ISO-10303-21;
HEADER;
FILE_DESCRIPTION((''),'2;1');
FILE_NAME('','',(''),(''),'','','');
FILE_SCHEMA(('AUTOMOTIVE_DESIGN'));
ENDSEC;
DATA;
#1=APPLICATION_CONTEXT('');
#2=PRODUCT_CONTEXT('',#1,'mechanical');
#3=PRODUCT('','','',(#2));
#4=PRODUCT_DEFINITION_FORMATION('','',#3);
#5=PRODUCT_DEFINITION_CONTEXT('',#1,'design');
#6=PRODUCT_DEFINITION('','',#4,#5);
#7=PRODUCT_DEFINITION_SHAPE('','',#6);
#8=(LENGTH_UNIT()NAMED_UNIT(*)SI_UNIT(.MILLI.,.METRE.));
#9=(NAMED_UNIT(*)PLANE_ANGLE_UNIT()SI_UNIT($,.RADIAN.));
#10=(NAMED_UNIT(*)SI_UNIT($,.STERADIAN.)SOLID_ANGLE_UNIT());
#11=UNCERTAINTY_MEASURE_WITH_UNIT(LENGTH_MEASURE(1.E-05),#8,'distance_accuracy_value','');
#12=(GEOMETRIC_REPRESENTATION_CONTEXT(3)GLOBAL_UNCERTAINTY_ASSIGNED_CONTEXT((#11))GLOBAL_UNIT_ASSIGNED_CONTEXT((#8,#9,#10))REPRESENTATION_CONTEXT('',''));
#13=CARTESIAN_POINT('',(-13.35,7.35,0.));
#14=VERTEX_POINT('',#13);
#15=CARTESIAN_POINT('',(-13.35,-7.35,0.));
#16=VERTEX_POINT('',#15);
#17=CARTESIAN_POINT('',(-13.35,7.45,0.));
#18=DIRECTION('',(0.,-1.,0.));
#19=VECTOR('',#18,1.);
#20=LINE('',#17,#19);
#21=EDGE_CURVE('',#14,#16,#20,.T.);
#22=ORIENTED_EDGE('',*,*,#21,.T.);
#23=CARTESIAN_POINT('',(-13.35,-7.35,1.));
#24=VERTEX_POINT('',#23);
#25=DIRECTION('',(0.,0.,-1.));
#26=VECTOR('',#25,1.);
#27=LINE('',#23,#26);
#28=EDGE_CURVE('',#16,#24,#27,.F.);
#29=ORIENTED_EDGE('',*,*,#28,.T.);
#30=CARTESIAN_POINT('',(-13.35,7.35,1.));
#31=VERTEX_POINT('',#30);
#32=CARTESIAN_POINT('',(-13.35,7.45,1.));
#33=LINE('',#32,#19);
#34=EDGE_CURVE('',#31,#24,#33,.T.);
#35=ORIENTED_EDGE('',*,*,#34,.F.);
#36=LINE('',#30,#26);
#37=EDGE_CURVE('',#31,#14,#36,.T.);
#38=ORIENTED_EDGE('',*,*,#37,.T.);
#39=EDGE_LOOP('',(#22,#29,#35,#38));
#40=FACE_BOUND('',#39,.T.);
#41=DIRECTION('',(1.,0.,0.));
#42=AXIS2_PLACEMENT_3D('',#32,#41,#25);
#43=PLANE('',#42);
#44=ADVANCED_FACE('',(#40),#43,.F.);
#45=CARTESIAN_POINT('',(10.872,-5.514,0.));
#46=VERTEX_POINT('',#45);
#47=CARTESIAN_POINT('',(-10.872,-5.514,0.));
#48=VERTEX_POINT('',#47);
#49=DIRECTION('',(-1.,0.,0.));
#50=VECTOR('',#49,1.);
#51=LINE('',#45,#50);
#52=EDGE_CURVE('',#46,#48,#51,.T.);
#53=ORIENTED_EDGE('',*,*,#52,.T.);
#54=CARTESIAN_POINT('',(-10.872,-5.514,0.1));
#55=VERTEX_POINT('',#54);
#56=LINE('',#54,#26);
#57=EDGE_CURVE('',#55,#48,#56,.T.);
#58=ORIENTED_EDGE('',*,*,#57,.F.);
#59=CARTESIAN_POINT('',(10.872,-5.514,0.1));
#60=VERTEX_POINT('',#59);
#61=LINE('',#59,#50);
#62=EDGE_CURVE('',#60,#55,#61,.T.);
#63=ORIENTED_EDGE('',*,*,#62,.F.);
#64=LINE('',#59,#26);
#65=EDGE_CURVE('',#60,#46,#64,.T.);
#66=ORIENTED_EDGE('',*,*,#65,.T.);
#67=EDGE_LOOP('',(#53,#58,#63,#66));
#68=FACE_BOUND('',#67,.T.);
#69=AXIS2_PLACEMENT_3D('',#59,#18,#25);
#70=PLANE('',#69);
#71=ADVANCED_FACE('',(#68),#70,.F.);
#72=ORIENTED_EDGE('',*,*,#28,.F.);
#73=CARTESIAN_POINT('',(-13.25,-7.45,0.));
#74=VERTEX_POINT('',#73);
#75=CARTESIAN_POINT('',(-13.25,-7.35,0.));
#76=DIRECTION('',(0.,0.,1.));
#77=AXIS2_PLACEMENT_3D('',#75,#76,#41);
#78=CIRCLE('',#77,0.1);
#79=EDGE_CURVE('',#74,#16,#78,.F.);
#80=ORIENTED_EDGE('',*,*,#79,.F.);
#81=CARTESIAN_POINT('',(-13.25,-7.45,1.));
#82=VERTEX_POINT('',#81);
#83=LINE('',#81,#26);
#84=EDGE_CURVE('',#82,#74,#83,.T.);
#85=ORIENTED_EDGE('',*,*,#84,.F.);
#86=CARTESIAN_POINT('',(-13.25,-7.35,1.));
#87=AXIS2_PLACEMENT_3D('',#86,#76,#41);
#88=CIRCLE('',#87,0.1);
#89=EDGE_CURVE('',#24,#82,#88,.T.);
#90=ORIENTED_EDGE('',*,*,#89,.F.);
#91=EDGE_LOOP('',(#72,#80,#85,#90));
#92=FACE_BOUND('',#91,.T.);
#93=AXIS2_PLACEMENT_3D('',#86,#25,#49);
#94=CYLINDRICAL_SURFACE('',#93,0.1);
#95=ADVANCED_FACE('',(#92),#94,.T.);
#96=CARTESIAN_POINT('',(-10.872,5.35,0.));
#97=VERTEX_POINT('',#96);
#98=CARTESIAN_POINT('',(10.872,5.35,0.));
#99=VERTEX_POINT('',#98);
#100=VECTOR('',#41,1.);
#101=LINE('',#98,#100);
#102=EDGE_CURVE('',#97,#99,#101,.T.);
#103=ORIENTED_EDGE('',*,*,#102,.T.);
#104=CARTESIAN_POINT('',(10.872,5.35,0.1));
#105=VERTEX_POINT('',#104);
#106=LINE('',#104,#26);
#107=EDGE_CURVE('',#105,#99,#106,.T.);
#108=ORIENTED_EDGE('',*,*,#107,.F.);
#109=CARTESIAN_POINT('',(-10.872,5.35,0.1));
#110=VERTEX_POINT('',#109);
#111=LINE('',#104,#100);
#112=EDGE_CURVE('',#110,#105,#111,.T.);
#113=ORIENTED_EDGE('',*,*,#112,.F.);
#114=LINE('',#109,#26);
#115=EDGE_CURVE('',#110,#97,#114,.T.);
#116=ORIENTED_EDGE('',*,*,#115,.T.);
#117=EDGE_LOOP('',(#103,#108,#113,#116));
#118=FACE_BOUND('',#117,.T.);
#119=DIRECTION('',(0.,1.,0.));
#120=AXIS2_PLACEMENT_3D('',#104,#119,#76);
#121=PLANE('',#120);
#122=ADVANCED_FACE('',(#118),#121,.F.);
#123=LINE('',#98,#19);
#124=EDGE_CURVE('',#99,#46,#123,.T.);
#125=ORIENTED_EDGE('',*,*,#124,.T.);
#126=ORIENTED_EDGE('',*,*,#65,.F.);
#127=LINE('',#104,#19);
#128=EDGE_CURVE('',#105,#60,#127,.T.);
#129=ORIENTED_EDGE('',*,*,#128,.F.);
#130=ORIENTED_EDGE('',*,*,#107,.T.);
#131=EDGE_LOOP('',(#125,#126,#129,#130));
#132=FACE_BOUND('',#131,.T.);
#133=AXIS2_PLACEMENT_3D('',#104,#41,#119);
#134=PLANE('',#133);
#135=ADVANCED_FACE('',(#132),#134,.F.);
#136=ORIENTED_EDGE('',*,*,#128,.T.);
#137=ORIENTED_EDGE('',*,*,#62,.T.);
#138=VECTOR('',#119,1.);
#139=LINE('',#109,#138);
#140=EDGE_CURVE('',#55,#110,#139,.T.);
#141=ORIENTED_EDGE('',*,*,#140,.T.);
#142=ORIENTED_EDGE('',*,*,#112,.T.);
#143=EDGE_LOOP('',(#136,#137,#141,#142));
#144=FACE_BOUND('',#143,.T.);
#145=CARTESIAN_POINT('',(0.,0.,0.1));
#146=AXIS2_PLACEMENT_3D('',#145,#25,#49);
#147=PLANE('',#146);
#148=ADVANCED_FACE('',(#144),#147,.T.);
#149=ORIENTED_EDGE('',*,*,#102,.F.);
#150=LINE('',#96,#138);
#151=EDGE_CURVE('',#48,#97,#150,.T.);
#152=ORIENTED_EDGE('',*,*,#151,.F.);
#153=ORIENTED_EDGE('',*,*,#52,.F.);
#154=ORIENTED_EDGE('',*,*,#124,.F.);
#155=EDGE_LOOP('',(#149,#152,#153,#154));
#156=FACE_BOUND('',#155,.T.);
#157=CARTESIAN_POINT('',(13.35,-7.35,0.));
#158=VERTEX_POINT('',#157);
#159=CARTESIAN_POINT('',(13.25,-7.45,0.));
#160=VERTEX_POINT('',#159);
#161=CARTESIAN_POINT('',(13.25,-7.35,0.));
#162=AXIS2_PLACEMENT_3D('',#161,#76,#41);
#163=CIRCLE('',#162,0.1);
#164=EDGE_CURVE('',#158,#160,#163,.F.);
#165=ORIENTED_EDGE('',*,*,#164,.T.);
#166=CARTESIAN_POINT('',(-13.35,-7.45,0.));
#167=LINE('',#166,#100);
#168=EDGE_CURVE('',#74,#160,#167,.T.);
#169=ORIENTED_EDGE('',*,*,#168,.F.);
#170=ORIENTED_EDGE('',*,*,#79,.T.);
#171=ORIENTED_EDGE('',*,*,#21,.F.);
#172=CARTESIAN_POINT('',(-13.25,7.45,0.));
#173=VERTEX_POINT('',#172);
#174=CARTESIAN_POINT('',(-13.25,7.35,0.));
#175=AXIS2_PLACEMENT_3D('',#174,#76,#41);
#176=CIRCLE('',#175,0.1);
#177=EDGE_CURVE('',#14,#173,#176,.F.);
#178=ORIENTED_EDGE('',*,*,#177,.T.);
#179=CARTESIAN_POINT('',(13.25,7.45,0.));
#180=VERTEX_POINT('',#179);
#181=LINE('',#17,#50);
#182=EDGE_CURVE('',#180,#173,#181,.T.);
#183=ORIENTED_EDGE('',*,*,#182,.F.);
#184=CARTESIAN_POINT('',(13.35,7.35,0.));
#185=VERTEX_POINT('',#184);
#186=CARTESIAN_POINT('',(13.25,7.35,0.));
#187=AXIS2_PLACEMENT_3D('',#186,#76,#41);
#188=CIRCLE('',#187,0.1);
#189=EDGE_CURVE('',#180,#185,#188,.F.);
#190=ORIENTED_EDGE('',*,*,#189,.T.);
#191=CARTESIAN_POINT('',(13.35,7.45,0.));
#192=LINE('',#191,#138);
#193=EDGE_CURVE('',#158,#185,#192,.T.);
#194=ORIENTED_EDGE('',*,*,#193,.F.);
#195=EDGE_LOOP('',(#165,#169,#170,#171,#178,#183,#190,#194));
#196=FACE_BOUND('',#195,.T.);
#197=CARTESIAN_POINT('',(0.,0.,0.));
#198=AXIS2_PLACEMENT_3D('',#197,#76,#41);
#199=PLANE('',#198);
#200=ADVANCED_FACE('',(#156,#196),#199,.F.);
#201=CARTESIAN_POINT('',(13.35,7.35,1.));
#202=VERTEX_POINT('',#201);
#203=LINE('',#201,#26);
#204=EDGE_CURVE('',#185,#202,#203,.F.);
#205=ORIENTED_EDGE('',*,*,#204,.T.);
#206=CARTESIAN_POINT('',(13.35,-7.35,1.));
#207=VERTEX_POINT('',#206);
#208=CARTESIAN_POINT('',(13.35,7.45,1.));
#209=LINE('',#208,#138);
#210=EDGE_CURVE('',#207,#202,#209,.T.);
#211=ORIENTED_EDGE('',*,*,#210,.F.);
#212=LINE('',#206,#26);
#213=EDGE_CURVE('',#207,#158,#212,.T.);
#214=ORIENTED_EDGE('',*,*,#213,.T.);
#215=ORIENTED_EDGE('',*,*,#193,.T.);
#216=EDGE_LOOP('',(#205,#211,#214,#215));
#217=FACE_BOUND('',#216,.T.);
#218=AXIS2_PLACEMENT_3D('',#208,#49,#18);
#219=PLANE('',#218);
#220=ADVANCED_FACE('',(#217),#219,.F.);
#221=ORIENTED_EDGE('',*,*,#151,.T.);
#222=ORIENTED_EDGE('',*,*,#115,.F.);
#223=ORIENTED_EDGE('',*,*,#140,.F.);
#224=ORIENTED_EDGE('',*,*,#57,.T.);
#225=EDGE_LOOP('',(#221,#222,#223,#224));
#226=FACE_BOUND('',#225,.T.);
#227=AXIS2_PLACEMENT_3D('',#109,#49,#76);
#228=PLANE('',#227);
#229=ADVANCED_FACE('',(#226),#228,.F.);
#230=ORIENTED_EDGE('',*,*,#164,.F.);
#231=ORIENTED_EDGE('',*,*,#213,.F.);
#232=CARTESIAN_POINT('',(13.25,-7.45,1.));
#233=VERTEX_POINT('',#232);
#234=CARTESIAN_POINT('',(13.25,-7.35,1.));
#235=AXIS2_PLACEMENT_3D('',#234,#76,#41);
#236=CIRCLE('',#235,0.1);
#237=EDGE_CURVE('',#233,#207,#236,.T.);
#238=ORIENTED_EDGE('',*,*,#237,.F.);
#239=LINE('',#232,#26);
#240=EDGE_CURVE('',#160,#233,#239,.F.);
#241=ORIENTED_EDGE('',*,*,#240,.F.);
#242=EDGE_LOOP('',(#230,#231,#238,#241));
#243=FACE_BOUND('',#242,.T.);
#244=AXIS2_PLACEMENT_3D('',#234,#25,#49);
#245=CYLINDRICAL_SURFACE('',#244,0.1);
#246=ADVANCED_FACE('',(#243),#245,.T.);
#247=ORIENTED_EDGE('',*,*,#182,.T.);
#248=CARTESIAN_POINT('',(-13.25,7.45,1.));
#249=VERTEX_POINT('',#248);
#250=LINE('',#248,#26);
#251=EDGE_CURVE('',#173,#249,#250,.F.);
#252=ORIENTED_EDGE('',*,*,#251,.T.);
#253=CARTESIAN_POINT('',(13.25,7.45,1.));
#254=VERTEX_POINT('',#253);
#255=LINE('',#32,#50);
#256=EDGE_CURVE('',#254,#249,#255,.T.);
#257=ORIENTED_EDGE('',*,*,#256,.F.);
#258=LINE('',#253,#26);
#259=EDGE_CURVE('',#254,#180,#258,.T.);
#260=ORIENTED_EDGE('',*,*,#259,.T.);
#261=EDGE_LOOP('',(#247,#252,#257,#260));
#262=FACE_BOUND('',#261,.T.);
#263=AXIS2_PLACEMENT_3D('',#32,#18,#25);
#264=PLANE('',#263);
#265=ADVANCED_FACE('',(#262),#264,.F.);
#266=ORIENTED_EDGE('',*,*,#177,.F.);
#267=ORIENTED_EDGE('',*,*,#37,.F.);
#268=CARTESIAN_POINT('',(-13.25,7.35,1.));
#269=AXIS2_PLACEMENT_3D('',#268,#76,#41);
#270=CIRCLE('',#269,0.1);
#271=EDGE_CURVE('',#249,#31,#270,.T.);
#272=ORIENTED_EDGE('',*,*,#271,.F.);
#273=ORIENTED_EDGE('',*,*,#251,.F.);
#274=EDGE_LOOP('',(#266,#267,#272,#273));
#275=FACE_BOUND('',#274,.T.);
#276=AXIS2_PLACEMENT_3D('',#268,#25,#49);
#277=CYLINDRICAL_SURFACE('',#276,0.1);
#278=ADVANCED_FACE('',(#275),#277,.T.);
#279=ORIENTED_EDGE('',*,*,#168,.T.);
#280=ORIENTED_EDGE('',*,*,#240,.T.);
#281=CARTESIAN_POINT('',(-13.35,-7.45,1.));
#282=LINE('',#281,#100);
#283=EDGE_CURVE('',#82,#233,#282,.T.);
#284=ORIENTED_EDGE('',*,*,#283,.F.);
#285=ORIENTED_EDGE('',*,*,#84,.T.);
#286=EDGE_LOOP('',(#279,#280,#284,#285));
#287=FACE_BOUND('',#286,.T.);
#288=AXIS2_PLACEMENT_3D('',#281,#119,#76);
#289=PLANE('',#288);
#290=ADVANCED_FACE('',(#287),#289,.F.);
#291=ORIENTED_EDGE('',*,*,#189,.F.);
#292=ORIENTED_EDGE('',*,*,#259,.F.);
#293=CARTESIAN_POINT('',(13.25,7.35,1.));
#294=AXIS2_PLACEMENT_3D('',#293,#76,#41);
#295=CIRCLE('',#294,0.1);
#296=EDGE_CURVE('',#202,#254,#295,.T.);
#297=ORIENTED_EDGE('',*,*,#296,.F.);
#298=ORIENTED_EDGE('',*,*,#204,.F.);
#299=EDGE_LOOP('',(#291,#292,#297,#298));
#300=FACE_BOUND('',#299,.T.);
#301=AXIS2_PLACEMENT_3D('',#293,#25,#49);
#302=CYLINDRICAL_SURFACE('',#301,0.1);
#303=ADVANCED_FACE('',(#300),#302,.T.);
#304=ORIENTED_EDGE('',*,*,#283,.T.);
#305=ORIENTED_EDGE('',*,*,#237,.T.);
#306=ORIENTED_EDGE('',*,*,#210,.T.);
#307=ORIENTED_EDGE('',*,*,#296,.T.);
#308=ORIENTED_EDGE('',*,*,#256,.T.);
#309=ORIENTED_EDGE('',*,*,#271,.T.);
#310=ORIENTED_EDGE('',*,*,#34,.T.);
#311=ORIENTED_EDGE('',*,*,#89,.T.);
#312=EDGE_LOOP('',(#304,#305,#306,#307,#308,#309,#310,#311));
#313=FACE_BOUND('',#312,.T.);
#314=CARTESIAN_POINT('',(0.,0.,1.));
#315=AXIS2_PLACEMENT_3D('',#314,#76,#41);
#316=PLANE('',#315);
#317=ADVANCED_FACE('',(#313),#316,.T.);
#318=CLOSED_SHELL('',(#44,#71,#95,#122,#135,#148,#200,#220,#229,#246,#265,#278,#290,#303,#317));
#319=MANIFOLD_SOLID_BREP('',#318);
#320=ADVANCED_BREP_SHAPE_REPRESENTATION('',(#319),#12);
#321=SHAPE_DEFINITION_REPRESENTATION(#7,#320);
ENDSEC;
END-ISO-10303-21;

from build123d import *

# Parameters (mm, degrees)
SKETCH1_W           = 26.7
SKETCH1_H           = 14.9
BOSS_EXTRUDE1_DEPTH = 1
FILLET1_R           = 0.1
SKETCH2_W           = 21.744
SKETCH2_H           = 10.864
CUT_EXTRUDE1_DEPTH  = 0.1


with BuildPart() as part:
    # Sketch1 → Boss-Extrude1 (new body)
    with BuildSketch(Plane.XY):
        Rectangle(SKETCH1_W, SKETCH1_H)
    extrude(amount=BOSS_EXTRUDE1_DEPTH)

    # Fillet1
    fillet1_edges = [part.edges().sort_by_distance(p)[0] for p in [
        (13.35, -7.45, 0.5),
        (-13.35, -7.45, 0.5),
        (-13.35, 7.45, 0.5),
        (13.35, 7.45, 0.5),
    ]]
    fillet(fillet1_edges, radius=FILLET1_R)

    # Sketch2 → Cut-Extrude1 (cut)
    with BuildSketch(Plane(origin=(0, 0, 0), x_dir=(-1, 0, 0), z_dir=(0, 0, -1))):
        with Locations((0, -0.082)):
            Rectangle(SKETCH2_W, SKETCH2_H)
    extrude(amount=-CUT_EXTRUDE1_DEPTH, mode=Mode.SUBTRACT)


solid = part.part
